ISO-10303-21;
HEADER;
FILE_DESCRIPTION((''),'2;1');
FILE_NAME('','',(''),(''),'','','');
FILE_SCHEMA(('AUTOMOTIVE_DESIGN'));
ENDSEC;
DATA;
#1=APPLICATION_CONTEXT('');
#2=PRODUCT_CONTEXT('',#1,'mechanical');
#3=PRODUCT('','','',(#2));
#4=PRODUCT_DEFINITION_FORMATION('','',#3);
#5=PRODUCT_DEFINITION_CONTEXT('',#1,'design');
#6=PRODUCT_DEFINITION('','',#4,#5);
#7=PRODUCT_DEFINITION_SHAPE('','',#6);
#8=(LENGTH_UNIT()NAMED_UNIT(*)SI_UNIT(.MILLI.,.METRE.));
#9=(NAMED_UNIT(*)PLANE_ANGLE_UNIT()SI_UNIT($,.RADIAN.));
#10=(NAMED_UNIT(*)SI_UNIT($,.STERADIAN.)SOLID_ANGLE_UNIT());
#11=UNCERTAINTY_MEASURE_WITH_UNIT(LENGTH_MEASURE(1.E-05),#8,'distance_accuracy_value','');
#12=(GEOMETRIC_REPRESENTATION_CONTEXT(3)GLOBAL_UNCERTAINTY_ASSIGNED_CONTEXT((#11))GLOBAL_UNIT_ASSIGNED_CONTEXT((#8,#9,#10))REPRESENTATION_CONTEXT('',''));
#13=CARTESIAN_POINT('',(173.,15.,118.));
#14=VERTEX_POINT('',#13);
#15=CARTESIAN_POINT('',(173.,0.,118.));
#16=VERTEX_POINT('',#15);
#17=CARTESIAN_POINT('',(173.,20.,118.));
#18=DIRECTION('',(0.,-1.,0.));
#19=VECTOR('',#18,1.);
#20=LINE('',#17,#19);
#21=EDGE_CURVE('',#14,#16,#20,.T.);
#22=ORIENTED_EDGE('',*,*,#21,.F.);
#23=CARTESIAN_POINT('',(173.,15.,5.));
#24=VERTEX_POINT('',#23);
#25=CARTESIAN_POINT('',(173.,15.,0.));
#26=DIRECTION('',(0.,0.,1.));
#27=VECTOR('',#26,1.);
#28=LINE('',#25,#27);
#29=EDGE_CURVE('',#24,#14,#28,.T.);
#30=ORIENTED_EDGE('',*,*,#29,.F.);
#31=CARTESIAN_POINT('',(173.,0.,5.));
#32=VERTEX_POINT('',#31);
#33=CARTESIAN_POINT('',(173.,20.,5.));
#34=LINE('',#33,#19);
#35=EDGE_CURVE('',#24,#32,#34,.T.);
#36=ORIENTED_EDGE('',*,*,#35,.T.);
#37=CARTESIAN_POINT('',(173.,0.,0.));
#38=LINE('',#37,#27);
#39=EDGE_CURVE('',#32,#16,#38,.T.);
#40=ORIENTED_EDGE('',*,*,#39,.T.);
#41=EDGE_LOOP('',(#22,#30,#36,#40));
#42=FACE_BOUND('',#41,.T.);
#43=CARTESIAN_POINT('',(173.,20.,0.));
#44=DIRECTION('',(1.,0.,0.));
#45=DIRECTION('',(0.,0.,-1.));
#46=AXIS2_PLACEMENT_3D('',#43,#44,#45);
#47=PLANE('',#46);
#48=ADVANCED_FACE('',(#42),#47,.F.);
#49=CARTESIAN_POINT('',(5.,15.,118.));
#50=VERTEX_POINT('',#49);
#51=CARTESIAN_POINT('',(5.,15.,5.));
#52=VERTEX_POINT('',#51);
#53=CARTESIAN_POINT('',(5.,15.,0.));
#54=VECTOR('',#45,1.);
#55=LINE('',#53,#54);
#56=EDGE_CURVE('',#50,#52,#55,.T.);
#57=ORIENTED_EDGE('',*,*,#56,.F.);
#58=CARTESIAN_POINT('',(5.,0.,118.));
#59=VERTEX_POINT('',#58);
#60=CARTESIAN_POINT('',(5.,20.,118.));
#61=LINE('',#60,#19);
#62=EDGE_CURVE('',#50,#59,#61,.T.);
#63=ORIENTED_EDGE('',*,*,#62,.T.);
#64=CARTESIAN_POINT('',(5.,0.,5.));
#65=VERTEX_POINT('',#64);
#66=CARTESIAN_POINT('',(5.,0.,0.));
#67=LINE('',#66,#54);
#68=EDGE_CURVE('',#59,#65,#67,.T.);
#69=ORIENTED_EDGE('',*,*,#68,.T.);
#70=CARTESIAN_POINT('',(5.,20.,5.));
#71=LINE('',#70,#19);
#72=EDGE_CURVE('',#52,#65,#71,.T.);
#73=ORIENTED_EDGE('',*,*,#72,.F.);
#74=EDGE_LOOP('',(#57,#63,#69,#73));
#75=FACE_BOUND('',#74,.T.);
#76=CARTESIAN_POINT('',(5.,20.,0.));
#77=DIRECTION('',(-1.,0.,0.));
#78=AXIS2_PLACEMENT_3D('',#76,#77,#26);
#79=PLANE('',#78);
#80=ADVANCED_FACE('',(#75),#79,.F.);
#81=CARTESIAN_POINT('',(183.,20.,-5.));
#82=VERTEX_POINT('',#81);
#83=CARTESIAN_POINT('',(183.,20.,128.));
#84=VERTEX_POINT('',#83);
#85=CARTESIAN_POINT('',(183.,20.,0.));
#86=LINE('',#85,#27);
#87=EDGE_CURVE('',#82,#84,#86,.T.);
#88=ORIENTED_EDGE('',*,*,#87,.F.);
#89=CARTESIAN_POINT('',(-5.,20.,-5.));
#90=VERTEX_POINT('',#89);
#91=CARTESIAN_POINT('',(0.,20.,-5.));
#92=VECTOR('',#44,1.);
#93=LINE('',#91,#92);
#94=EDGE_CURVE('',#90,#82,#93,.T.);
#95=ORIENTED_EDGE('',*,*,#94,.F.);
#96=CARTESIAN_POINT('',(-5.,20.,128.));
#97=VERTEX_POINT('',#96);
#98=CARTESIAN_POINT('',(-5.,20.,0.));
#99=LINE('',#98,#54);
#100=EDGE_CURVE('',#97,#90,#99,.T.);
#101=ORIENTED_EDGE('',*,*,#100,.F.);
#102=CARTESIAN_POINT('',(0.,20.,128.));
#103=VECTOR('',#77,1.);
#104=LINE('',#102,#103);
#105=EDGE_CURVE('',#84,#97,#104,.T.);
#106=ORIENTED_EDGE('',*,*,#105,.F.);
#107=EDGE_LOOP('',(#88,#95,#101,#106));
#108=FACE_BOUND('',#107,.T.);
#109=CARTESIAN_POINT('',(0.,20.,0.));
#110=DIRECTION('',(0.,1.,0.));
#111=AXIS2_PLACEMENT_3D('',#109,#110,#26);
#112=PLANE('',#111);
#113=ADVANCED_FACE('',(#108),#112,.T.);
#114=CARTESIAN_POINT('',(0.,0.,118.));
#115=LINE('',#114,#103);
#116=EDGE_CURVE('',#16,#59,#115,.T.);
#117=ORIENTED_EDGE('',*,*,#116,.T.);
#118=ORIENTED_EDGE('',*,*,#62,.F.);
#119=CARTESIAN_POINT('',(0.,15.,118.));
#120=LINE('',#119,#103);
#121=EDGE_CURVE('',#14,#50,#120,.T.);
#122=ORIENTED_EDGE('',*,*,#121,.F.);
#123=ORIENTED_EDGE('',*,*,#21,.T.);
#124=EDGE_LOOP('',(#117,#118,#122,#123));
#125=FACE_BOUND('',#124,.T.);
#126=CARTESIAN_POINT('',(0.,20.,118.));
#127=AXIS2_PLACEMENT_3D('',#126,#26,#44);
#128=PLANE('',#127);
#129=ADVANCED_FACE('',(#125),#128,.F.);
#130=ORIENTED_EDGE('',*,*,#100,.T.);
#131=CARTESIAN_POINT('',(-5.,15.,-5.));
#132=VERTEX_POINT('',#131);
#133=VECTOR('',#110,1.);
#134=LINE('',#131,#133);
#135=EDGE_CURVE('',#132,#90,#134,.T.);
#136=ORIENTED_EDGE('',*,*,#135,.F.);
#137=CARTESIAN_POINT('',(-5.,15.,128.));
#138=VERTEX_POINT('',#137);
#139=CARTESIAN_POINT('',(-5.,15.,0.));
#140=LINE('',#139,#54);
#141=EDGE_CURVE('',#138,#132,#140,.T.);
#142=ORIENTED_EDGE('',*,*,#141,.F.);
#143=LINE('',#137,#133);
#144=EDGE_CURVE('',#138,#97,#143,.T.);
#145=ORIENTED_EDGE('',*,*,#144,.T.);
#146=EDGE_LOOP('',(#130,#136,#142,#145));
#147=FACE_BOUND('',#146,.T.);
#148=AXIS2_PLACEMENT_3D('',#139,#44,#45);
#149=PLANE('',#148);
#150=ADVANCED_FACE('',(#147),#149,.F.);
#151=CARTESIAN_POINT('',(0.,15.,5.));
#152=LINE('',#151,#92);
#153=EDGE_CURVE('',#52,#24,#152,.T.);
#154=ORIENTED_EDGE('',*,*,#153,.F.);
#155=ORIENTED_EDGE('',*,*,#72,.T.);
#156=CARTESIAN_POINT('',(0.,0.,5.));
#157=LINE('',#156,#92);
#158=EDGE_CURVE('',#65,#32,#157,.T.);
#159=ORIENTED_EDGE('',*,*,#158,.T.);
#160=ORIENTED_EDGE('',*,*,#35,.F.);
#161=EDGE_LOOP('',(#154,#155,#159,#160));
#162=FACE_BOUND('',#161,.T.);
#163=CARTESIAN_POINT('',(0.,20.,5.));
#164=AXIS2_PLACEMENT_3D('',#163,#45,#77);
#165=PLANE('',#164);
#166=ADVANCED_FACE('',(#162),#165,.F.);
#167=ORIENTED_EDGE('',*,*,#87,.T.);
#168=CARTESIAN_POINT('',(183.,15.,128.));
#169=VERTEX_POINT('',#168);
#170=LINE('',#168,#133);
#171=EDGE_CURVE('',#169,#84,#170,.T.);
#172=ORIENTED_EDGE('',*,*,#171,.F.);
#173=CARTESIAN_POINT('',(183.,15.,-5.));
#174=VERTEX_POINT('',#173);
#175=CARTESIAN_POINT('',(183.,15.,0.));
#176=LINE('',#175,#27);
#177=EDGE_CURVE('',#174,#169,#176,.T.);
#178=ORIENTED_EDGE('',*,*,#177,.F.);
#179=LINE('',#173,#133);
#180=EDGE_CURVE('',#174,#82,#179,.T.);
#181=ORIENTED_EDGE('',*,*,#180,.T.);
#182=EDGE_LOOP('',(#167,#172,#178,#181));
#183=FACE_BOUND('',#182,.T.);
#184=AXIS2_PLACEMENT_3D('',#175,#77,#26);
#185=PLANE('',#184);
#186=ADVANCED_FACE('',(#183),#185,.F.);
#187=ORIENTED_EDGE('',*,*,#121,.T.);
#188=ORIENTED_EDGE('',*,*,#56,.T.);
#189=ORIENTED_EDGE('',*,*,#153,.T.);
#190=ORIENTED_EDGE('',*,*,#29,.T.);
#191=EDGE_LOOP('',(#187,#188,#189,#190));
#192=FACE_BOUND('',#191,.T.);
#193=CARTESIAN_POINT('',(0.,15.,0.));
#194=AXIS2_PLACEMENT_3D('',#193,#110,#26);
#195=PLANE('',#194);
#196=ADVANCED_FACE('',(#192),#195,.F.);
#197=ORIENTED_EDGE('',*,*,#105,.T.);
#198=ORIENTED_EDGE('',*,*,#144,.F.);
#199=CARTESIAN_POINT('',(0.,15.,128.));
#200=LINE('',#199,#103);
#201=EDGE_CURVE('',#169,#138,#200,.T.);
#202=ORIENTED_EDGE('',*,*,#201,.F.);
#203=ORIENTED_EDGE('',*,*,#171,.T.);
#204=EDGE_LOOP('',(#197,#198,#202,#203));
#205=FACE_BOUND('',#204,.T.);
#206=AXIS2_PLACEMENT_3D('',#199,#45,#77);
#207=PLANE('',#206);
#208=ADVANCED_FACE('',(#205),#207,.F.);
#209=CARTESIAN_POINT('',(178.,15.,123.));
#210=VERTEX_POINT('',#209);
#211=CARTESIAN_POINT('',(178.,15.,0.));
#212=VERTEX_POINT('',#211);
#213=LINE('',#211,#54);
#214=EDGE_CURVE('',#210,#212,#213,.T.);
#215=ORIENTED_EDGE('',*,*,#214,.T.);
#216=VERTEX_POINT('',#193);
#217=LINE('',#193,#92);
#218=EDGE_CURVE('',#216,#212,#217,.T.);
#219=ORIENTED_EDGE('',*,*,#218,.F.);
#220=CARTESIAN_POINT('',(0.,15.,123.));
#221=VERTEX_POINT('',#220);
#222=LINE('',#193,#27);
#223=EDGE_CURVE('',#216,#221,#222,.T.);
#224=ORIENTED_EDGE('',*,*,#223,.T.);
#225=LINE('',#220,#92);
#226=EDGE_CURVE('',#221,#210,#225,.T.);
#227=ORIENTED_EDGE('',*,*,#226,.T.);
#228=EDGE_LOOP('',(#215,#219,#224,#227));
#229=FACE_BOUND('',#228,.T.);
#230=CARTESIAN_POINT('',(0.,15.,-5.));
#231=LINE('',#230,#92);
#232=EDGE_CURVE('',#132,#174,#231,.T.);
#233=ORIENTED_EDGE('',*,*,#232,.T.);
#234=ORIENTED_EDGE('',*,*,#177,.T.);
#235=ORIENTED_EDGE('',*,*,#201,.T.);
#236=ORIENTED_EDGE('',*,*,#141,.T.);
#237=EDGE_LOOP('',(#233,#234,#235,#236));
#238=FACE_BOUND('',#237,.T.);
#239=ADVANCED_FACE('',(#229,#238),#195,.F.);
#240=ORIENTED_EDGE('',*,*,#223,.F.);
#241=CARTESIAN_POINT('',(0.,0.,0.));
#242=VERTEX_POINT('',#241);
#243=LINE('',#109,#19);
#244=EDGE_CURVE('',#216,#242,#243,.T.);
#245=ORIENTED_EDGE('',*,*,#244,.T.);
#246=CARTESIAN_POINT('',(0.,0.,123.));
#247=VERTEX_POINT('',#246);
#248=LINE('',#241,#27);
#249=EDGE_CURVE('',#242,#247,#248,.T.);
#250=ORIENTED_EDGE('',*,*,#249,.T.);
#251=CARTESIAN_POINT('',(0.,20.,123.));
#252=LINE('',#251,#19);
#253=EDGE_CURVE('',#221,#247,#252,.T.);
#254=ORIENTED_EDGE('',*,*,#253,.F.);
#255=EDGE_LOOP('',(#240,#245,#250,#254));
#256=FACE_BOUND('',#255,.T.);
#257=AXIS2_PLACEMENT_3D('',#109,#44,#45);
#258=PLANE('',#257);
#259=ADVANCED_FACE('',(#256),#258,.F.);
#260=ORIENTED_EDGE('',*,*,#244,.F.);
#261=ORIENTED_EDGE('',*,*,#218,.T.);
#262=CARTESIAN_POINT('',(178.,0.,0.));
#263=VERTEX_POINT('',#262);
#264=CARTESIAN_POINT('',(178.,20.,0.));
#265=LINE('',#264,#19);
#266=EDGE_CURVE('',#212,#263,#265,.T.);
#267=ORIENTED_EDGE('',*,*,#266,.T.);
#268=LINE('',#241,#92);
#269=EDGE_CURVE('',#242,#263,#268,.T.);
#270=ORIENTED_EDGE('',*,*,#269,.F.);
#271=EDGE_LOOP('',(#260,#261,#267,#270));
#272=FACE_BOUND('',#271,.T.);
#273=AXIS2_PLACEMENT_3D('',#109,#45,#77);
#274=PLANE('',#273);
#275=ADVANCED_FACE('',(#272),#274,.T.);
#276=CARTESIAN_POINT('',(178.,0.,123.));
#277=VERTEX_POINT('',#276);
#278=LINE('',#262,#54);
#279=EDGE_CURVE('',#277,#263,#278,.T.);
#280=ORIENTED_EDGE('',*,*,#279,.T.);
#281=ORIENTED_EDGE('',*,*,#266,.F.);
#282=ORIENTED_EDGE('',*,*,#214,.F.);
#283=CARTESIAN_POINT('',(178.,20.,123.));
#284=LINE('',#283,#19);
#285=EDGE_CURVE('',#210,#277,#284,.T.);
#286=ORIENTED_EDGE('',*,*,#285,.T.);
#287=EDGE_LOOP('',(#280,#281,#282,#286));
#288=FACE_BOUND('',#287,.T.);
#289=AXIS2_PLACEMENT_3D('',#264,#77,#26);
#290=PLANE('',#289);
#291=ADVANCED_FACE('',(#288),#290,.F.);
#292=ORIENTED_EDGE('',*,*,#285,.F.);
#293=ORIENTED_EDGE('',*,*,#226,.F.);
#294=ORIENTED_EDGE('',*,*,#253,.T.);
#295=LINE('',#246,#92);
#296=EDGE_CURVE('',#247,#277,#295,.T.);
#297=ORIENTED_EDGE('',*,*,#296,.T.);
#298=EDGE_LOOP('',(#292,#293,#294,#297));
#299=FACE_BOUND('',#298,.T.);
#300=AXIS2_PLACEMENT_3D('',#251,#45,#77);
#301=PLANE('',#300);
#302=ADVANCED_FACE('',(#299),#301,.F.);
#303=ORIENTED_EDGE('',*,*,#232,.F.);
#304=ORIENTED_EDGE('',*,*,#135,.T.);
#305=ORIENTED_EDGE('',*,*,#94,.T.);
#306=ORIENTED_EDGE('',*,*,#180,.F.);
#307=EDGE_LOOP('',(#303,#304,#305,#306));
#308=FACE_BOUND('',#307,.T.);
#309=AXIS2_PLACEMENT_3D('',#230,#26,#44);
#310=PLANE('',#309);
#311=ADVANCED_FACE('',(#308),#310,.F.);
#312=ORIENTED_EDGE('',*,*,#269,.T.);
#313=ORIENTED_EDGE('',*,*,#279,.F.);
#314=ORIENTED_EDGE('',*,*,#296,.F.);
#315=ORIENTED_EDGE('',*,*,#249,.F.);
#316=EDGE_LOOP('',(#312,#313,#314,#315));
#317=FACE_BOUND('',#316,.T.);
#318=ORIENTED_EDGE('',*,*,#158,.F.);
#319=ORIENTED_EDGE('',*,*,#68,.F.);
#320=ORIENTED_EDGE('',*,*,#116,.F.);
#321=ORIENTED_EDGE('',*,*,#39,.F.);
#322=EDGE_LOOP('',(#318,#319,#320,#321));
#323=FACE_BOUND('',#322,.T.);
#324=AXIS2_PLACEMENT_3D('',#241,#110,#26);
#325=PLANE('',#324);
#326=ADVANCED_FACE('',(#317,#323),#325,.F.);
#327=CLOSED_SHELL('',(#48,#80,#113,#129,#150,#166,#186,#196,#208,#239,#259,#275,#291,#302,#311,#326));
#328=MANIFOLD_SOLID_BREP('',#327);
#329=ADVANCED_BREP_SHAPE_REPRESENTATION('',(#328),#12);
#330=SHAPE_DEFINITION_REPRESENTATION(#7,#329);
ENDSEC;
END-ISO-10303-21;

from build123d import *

# Parameters (mm, degrees)
SKETCH1_W           = 168
SKETCH1_H           = 113
BOSS_EXTRUDE1_DEPTH = 20
BOSS_EXTRUDE4_DEPTH = 5


with BuildPart() as part:
    # Sketch1 → Boss-Extrude1 (new body)
    with BuildSketch(Plane(origin=(0, 0, 0), x_dir=(1, 0, 0), z_dir=(0, 1, 0))):
        Polygon((178, 0), (0, 0), (0, -5), (0, -123), (178, -123), align=None)
        with Locations((89, -61.5)):
            Rectangle(SKETCH1_W, SKETCH1_H, mode=Mode.SUBTRACT)
    extrude(amount=BOSS_EXTRUDE1_DEPTH)

    # Sketch2 → Boss-Extrude4 (add)
    with BuildSketch(Plane(origin=(0, 20, 0), x_dir=(1, 0, 0), z_dir=(0, 1, 0))):
        Polygon((183, 5), (0, 5), (-5, 5), (-5, -128), (183, -128), align=None)
    extrude(amount=-BOSS_EXTRUDE4_DEPTH)


solid = part.part
